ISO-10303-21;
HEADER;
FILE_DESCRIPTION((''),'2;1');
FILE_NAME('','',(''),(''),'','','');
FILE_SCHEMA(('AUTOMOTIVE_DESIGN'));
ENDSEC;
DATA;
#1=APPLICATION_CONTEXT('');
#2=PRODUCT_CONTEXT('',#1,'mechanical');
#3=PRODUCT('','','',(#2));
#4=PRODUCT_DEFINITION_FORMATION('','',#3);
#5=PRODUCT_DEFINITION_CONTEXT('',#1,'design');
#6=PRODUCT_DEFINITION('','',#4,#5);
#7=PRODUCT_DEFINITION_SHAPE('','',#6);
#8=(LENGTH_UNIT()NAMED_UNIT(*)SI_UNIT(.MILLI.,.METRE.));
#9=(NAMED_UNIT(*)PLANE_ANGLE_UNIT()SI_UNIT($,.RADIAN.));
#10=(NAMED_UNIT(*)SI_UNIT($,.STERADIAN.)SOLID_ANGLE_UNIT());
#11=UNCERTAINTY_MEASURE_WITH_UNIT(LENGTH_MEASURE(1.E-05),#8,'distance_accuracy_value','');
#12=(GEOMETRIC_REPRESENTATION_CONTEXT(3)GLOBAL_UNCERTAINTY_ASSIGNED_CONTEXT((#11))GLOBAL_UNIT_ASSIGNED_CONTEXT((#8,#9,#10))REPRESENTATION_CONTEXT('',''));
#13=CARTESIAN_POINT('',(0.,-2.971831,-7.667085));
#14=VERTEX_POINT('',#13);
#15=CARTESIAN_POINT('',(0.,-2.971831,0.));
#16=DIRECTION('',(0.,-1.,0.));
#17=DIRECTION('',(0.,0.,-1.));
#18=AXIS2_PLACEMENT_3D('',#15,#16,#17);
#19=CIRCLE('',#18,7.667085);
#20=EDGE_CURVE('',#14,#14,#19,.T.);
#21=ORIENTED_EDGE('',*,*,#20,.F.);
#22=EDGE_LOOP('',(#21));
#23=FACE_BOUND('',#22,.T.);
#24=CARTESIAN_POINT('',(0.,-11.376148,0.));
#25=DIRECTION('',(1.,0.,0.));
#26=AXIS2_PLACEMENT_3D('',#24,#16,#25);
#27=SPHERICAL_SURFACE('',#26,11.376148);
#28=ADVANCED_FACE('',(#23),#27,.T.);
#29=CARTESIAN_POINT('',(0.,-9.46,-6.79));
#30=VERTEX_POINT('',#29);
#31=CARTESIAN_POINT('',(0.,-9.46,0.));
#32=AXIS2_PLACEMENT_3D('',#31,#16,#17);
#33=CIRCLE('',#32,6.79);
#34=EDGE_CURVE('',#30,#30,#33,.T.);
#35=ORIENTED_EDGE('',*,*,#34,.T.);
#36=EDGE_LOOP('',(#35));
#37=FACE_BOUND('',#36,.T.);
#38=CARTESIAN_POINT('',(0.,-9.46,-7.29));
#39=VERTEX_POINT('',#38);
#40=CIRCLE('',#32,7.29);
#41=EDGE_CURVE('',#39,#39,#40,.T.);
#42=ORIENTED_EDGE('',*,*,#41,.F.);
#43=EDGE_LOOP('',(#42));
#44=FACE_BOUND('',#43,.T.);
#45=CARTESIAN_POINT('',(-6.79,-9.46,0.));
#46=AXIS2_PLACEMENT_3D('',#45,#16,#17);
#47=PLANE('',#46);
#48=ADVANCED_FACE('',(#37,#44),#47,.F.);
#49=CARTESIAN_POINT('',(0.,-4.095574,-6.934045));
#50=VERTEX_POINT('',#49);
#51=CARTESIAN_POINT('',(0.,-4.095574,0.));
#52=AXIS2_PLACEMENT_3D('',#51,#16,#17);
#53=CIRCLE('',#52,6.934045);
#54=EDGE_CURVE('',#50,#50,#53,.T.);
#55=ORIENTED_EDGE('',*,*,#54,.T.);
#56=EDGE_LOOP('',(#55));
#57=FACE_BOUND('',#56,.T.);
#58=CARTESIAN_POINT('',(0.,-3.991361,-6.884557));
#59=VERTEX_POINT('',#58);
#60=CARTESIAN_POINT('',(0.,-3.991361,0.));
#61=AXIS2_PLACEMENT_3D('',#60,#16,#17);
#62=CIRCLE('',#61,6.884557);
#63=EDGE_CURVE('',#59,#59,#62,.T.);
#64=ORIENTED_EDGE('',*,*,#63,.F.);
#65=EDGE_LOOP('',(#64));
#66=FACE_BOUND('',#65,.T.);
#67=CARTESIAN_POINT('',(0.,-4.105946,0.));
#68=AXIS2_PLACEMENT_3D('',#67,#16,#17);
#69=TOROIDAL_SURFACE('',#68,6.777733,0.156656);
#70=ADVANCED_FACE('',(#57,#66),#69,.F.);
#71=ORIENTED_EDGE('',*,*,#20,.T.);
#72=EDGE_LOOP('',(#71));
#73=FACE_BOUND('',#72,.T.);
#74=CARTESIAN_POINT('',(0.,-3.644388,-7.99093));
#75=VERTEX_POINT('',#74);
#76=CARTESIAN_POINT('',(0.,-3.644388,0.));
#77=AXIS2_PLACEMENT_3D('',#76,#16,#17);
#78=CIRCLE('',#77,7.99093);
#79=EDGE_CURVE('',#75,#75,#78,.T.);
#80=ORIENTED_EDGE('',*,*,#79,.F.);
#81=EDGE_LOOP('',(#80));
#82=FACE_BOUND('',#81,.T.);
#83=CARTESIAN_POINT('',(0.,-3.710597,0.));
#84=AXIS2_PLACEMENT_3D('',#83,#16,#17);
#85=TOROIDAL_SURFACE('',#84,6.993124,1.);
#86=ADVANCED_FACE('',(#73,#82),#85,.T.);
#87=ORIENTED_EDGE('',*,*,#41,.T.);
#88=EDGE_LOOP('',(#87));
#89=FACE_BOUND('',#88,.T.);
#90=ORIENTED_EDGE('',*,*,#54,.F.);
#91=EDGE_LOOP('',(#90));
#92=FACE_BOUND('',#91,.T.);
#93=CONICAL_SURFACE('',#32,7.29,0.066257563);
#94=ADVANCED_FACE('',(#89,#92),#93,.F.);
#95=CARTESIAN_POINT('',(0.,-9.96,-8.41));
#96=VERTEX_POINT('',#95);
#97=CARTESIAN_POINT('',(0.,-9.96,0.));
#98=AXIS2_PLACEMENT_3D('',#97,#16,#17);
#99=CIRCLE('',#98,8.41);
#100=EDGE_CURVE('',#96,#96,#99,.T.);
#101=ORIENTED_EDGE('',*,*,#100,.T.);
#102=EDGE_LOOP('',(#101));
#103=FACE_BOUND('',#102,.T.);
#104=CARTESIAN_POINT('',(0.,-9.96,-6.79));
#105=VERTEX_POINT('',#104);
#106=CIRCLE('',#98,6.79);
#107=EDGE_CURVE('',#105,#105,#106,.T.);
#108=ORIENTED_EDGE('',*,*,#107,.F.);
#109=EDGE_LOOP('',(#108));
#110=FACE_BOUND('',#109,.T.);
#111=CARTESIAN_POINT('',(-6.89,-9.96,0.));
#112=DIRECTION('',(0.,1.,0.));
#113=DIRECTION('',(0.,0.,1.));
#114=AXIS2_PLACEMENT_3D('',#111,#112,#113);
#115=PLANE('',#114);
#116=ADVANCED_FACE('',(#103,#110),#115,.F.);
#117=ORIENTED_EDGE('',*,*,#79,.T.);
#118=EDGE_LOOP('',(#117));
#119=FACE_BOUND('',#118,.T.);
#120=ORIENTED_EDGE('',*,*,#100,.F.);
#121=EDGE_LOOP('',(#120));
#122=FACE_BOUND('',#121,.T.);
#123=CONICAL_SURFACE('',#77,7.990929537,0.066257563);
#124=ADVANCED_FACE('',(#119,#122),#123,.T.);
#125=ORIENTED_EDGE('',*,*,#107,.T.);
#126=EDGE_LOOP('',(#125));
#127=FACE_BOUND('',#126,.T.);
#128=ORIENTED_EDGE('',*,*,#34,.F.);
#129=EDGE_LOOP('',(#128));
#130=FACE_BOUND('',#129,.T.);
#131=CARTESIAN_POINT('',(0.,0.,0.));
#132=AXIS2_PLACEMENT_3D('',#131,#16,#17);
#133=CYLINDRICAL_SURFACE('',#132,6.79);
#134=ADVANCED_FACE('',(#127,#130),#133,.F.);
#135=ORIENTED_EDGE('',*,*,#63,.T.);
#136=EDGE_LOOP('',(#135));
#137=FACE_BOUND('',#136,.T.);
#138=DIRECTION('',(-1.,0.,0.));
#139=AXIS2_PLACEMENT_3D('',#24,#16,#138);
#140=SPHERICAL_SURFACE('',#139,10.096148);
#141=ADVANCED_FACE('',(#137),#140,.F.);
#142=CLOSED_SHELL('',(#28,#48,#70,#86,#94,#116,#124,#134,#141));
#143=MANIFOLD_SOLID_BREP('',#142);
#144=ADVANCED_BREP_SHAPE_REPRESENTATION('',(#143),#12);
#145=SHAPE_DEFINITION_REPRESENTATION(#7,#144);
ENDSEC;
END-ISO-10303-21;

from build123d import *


with BuildPart() as part:
    # Sketch1 → Revolve1 (revolve)
    with BuildSketch(Plane.XY):
        with BuildLine():
            Line((-7.990929537, -3.644388375), (-8.41, -9.96))
            Line((-8.41, -9.96), (-6.89, -9.96))
            Line((-6.89, -9.96), (-6.79, -9.96))
            Line((-6.79, -9.96), (-6.79, -9.46))
            Line((-6.79, -9.46), (-7.29, -9.46))
            Line((-7.29, -9.46), (-6.934045173, -4.095574106))
            ThreePointArc((-6.934045173, -4.095574106), (-6.919243429, -4.038745871), (-6.884556501, -3.991360674))
            ThreePointArc((-6.884556501, -3.991360674), (-3.699614673, -1.98226408), (0, -1.28))
            Line((0, -1.28), (0, 0))
            ThreePointArc((0, 0), (-4.111446691, -0.768945317), (-7.667085246, -2.971830982))
            ThreePointArc((-7.667085246, -2.971830982), (-7.894114775, -3.276759708), (-7.990929537, -3.644388375))
        make_face()
    revolve(axis=Axis((0, 0, 0), (0, 1, 0)))


solid = part.part
